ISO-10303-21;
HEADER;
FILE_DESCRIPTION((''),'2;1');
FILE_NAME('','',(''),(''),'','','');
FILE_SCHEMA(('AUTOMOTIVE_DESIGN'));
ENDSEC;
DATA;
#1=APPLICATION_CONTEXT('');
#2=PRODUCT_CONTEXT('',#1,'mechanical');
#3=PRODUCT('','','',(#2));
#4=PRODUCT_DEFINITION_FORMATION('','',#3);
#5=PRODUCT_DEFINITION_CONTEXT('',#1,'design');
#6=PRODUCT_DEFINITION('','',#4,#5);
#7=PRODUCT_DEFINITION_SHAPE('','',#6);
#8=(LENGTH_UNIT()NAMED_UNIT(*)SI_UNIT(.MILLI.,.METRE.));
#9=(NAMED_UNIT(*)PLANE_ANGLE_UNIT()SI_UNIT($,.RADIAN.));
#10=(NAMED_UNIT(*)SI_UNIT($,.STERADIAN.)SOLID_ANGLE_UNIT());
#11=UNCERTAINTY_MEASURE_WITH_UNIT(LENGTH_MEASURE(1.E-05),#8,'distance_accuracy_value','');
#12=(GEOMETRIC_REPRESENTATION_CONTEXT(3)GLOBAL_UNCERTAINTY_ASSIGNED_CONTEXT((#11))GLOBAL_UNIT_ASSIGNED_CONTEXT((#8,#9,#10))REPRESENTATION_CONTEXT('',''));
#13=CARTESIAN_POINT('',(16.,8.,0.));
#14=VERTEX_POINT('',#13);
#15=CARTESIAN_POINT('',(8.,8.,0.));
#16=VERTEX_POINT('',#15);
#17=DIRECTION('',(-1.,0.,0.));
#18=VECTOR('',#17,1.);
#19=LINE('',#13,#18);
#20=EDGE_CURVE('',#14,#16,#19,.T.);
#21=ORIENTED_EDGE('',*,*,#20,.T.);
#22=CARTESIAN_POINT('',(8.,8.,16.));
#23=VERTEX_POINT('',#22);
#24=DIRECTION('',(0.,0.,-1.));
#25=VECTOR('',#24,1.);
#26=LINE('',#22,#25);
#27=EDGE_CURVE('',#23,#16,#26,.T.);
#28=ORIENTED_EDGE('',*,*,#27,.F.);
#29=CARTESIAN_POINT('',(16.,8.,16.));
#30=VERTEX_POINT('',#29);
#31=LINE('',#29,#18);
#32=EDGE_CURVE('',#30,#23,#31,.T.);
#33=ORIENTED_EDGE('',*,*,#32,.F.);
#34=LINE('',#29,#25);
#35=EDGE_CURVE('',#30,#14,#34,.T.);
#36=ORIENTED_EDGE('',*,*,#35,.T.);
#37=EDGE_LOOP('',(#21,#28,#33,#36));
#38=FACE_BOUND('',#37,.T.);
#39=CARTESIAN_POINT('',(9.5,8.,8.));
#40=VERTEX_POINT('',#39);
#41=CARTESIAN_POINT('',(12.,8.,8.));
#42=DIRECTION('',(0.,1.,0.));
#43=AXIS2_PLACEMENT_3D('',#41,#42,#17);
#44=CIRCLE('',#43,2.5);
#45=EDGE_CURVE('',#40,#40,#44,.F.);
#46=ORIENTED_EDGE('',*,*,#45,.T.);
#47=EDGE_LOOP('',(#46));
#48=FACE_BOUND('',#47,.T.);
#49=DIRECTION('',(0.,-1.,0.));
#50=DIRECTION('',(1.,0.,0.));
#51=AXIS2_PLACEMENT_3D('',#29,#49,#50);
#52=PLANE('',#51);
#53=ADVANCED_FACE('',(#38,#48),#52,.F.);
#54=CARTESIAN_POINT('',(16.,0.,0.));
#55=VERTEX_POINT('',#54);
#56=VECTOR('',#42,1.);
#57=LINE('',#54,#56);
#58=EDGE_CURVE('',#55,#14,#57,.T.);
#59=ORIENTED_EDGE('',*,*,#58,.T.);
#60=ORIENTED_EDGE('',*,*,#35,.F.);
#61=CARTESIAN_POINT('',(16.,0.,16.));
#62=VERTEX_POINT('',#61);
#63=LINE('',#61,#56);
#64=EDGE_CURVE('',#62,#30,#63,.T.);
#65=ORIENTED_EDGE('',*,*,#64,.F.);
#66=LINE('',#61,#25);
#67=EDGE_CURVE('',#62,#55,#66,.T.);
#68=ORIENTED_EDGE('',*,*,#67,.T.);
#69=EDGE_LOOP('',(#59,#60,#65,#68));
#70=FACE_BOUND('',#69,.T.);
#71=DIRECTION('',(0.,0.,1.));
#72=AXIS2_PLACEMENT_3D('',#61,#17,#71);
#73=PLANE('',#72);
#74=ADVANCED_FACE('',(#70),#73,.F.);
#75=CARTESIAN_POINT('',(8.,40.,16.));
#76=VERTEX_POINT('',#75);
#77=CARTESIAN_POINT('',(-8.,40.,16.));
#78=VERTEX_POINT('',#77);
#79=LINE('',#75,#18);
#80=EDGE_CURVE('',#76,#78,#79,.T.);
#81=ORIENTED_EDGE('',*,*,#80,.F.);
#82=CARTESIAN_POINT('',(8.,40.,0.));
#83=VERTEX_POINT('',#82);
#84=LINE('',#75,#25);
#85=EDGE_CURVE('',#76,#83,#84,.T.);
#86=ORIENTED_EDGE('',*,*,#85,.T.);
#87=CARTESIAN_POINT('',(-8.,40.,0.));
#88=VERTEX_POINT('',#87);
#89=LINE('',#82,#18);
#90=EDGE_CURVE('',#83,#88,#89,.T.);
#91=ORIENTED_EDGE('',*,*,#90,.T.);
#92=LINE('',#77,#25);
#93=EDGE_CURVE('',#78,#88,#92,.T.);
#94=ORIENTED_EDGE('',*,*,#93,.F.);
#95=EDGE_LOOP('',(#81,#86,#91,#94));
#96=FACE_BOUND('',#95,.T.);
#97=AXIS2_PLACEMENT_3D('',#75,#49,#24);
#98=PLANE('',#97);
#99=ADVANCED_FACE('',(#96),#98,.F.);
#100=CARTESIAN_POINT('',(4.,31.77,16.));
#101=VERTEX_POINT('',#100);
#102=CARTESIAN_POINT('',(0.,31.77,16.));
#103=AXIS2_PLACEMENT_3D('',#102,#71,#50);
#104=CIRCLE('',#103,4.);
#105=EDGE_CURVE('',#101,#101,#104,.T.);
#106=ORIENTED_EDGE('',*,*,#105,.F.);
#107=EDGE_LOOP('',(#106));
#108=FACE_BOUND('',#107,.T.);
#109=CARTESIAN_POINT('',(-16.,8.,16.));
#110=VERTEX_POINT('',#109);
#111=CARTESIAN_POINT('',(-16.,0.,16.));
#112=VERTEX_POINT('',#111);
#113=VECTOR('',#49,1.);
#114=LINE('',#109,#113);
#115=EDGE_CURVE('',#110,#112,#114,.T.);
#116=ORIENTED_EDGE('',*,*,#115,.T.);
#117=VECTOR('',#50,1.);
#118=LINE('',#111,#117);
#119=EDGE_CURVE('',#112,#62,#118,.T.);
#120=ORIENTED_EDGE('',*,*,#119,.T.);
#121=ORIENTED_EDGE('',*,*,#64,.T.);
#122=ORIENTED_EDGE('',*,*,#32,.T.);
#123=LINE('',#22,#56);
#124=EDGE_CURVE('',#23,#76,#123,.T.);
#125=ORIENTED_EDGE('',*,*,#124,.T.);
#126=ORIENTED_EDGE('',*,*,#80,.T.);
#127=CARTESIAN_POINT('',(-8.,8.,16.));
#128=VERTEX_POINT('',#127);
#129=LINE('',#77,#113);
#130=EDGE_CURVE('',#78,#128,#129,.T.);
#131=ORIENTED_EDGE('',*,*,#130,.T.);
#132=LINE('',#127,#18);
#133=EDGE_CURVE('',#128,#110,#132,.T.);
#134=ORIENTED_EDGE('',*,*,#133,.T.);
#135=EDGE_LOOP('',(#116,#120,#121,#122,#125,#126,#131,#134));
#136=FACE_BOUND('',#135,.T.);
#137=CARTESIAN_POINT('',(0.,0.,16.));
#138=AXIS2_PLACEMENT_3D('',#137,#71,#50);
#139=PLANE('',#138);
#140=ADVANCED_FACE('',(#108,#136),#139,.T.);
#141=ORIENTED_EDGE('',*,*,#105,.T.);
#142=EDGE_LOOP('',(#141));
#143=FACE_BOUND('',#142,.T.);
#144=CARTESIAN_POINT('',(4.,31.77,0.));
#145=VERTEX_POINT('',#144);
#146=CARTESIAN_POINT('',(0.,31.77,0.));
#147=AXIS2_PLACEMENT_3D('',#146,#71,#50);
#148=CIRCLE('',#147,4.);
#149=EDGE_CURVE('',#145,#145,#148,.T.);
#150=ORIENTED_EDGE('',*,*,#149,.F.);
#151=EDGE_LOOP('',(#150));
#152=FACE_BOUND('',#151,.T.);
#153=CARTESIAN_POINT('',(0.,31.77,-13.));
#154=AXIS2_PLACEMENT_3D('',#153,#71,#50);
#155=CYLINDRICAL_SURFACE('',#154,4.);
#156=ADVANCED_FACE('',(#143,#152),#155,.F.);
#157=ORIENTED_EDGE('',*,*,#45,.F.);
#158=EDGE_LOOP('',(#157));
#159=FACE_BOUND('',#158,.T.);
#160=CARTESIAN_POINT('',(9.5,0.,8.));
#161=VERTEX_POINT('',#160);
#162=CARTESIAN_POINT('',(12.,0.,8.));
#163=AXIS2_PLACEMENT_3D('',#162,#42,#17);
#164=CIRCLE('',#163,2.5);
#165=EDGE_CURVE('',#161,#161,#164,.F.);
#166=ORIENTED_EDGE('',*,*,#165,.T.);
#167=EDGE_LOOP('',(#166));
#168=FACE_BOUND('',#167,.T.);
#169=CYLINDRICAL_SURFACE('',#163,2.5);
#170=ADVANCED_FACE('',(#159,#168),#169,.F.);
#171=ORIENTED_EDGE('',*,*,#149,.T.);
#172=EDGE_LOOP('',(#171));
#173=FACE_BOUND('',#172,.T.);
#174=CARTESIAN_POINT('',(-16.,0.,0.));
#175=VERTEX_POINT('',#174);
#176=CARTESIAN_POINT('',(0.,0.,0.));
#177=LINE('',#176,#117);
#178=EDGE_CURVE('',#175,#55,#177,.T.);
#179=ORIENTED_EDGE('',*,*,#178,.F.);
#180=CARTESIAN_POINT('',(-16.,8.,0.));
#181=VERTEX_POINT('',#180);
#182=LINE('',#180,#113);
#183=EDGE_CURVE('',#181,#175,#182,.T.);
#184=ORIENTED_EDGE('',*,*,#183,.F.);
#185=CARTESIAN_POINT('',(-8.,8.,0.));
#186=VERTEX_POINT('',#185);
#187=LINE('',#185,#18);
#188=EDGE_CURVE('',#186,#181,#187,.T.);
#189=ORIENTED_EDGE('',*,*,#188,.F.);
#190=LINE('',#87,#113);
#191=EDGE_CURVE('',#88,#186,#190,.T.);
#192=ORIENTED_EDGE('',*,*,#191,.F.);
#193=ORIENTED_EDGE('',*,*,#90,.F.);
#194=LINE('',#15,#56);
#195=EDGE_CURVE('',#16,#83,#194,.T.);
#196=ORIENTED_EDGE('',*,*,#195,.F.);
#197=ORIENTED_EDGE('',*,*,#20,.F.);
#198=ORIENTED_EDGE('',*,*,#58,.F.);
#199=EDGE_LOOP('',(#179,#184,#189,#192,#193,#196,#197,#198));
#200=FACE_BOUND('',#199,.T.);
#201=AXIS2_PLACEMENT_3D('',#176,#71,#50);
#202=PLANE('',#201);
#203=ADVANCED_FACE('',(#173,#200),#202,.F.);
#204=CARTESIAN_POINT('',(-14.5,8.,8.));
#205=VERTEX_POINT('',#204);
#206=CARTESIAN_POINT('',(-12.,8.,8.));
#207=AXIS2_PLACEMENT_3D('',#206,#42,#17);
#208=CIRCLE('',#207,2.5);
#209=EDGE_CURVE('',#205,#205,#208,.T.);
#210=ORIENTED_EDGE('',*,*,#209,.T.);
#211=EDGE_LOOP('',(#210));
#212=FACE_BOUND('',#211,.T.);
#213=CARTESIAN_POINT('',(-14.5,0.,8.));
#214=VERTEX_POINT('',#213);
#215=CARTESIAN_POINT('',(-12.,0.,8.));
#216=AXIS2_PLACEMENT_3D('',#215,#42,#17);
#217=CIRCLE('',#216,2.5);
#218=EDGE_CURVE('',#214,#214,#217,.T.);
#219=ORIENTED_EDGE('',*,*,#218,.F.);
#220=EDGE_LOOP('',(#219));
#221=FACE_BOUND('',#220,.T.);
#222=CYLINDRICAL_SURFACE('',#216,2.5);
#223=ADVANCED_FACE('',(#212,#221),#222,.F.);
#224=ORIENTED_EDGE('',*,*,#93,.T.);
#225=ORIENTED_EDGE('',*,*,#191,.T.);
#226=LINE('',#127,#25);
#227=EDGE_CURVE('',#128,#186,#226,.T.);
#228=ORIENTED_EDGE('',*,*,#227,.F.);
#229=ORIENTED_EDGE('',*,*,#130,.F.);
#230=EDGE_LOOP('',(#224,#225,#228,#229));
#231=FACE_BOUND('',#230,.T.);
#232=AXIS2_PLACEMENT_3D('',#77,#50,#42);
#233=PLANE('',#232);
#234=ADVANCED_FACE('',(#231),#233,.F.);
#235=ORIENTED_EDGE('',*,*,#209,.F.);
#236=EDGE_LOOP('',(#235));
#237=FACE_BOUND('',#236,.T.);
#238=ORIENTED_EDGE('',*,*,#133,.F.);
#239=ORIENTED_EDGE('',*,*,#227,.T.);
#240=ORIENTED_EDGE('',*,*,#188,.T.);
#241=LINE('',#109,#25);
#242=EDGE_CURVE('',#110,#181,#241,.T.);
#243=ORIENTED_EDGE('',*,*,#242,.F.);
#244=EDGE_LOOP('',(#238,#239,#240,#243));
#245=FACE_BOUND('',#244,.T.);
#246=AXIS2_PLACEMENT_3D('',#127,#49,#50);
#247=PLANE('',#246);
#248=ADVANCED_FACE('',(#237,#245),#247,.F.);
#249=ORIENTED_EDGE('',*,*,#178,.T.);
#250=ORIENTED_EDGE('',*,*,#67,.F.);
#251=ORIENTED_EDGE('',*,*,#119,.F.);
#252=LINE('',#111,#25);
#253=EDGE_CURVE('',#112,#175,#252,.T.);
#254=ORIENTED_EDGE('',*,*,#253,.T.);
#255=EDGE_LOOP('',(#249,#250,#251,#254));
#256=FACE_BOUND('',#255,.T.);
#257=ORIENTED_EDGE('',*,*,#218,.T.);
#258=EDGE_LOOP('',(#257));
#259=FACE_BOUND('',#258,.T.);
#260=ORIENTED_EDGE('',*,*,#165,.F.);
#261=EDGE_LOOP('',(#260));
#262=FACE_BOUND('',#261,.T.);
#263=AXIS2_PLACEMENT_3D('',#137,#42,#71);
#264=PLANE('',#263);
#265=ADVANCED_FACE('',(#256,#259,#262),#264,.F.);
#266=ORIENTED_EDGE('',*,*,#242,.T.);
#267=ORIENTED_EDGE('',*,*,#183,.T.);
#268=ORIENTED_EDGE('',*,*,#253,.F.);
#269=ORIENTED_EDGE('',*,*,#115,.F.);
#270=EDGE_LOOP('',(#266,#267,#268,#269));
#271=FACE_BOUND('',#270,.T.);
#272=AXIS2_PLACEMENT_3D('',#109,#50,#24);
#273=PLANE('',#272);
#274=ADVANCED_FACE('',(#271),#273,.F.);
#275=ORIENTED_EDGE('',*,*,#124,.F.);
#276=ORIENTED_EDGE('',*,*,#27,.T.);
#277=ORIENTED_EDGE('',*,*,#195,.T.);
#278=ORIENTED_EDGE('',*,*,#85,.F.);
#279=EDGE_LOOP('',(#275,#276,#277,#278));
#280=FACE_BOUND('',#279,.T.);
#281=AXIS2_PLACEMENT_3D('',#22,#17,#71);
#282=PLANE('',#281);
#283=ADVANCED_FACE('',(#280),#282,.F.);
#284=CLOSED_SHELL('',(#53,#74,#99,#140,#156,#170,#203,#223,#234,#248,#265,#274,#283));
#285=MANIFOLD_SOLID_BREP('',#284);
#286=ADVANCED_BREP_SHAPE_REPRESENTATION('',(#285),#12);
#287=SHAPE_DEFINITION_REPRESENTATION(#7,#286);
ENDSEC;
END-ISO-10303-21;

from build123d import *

# Parameters (mm, degrees)
EXTRUDE_1_DEPTH     = 16
SKETCH_2_R          = 2.5
CUT_EXTRUDE_1_DEPTH = 9
SKETCH_3_R          = 4
CUT_EXTRUDE_2_DEPTH = 29


with BuildPart() as part:
    # 草图1 → 凸台-拉伸1 (new body)
    with BuildSketch(Plane.XY):
        Polygon((0, 0), (16, 0), (16, 8), (8, 8), (8, 40), (-8, 40), (-8, 8), (-16, 8), (-16, 0), align=None)
    extrude(amount=EXTRUDE_1_DEPTH)

    # 草图2 → 切除-拉伸1 (cut, through all)
    with BuildSketch(Plane(origin=(0, 8, 0), x_dir=(1, 0, 0), z_dir=(0, 1, 0))):
        with Locations((-12, -8)):
            Circle(SKETCH_2_R)
        with Locations((12, -8)):
            Circle(SKETCH_2_R)
    extrude(amount=-CUT_EXTRUDE_1_DEPTH, mode=Mode.SUBTRACT)

    # 草图3 → 切除-拉伸2 (cut)
    with BuildSketch(Plane.XY.offset(16)):
        with Locations((0, 31.77)):
            Circle(SKETCH_3_R)
    extrude(amount=-CUT_EXTRUDE_2_DEPTH, mode=Mode.SUBTRACT)


solid = part.part
